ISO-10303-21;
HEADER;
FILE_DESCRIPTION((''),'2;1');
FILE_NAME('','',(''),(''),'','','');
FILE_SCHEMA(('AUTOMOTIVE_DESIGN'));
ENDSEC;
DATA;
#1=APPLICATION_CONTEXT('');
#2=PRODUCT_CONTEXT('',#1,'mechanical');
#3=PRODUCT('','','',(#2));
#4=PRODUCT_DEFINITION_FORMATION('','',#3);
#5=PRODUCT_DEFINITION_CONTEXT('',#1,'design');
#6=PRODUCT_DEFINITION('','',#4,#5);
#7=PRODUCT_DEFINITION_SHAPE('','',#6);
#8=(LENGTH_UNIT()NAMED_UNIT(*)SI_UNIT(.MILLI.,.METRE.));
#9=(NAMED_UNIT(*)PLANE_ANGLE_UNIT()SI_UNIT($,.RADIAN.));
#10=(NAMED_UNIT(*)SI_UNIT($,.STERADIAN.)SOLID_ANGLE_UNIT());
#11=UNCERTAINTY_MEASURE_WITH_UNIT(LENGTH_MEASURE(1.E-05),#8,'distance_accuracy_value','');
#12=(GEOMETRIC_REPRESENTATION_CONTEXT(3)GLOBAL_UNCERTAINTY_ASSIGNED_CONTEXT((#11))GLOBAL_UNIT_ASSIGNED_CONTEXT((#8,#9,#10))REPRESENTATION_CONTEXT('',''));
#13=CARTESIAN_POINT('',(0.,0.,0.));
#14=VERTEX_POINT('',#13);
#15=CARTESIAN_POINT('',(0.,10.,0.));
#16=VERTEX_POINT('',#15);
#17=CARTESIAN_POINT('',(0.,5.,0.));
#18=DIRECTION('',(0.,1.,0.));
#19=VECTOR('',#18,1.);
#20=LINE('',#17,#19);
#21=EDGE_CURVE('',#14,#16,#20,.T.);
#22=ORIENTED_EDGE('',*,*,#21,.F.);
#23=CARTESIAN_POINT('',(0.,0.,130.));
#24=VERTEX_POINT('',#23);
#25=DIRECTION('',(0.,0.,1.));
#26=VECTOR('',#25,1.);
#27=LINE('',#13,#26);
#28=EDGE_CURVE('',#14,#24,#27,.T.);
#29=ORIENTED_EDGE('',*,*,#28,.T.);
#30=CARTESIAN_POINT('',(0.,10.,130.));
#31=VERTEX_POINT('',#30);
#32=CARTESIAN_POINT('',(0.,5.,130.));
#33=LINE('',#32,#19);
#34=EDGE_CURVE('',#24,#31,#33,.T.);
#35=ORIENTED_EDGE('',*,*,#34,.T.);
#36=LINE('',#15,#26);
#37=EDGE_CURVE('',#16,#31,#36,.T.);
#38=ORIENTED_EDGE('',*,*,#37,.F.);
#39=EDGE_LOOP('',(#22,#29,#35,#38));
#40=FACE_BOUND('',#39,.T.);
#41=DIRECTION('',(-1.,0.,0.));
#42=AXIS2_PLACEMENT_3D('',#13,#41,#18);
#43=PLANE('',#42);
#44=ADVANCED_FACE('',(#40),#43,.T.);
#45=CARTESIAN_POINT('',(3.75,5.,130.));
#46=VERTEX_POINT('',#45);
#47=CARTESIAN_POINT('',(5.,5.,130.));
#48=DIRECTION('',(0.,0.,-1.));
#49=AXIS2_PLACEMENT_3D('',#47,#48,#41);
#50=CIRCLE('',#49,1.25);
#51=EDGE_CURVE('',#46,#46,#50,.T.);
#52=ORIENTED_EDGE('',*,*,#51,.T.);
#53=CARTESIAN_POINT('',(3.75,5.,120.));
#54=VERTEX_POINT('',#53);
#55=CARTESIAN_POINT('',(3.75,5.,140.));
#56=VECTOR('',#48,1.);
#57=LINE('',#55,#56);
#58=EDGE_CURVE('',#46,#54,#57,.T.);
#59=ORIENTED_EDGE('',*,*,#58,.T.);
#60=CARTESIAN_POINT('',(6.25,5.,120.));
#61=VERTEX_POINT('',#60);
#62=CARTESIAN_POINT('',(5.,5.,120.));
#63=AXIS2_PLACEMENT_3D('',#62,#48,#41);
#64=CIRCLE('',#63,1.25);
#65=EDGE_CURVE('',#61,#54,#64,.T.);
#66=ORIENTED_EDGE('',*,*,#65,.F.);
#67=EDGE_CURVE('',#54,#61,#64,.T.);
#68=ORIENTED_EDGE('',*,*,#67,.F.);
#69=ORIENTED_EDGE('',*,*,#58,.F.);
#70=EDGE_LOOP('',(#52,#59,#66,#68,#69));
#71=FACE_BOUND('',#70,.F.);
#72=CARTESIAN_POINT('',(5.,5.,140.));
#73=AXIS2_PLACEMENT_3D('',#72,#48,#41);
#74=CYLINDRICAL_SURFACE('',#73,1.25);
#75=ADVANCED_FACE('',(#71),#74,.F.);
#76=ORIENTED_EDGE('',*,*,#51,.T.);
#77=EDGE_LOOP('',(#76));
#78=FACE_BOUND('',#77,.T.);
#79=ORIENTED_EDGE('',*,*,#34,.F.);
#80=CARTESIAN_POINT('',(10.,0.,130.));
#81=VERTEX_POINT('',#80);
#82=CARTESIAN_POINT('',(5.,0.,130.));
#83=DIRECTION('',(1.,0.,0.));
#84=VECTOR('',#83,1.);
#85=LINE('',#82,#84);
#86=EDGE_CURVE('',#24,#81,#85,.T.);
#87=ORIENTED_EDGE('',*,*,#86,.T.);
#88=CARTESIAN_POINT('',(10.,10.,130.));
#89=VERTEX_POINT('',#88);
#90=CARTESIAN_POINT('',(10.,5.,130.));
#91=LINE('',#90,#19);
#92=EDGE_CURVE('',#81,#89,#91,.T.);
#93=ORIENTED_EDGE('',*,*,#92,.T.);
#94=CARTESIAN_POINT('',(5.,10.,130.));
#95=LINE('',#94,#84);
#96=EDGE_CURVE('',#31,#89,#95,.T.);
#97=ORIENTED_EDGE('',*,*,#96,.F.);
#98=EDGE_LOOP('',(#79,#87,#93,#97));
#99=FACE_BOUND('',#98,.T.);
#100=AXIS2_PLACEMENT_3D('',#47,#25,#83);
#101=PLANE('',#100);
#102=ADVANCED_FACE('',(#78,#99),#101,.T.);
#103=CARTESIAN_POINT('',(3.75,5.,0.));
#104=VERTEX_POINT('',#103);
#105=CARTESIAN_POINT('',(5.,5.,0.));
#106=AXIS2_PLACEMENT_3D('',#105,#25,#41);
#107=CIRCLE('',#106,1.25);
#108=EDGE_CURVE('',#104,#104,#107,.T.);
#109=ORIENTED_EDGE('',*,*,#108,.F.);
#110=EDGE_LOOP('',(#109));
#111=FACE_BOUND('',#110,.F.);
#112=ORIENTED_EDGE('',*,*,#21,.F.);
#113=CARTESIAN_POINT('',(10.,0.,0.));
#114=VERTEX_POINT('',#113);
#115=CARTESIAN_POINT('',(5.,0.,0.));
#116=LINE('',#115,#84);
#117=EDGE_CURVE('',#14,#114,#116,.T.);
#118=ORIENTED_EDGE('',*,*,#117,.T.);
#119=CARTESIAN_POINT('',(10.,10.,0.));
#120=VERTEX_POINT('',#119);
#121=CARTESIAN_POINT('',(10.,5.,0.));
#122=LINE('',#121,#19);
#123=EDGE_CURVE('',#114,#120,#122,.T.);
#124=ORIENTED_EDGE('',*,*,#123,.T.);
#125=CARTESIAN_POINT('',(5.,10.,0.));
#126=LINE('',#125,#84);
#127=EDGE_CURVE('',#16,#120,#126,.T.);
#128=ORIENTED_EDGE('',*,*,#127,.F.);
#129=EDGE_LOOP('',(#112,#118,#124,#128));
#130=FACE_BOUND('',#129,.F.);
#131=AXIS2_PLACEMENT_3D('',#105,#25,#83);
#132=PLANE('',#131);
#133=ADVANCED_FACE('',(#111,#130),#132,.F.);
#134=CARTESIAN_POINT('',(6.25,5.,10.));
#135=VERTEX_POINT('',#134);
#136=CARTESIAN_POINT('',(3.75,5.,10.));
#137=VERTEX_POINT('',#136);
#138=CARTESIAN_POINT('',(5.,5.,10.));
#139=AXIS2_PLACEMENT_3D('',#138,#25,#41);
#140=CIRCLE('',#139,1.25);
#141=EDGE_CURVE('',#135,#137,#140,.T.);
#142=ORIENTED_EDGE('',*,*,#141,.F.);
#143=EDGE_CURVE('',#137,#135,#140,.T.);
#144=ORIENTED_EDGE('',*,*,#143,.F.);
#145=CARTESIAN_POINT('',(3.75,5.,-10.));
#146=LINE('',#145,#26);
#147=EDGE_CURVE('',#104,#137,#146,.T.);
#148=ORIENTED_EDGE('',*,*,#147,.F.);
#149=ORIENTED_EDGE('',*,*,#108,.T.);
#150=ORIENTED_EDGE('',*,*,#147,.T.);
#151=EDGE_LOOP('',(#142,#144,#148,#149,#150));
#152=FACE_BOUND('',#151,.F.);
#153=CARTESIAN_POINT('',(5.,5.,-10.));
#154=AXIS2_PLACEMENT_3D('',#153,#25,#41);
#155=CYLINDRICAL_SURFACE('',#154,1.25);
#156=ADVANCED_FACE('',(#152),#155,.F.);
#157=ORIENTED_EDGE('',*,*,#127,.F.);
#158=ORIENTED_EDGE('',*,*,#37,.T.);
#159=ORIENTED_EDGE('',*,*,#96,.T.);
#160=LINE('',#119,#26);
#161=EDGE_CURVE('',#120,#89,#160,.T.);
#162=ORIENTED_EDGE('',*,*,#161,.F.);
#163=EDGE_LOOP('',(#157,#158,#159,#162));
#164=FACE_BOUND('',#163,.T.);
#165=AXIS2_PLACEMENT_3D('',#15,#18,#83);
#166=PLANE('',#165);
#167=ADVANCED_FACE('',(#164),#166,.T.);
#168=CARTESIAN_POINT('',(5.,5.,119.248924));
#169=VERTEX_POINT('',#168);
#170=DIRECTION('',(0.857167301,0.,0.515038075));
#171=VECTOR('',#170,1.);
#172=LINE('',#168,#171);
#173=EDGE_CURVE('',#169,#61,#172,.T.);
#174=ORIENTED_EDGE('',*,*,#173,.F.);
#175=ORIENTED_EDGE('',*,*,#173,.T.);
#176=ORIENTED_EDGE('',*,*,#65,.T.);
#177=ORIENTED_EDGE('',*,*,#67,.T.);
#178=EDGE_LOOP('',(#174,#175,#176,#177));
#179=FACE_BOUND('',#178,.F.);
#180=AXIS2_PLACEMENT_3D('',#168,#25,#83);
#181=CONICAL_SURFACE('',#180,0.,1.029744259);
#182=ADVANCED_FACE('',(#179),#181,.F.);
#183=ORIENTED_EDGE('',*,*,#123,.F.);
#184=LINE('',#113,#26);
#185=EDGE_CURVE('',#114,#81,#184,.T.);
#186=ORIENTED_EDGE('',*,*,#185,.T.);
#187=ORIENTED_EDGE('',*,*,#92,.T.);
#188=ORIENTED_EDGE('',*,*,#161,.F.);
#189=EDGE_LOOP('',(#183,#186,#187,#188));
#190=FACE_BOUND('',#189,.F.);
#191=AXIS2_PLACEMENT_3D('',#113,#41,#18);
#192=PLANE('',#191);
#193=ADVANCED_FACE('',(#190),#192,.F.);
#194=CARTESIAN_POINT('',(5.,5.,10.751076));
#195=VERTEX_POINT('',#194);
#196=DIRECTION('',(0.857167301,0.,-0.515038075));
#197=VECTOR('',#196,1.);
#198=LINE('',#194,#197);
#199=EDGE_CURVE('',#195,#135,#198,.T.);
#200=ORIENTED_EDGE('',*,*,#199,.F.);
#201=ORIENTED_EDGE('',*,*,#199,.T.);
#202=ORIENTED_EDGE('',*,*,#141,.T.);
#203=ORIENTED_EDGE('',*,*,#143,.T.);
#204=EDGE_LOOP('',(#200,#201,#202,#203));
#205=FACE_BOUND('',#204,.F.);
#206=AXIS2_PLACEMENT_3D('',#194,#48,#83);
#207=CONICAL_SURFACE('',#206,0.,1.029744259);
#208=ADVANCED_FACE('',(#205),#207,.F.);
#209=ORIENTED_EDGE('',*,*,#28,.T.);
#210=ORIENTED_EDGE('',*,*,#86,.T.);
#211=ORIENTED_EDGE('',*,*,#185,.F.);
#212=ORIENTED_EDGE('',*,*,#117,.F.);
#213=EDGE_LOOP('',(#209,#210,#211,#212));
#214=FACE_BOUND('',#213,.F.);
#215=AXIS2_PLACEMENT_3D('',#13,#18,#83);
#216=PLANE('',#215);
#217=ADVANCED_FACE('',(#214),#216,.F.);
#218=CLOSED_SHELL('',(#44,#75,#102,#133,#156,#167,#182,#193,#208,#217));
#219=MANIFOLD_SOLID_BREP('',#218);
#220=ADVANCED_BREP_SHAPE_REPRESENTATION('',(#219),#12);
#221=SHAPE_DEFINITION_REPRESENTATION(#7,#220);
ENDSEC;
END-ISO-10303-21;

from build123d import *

# Parameters (mm, degrees)
F0_W     = 10
F0_H     = 10
F1_DEPTH = 130
F3_D     = 2.5
F3_DEPTH = 10
F3_TIP   = 0.7510757738
F5_D     = 2.5
F5_DEPTH = 10
F5_TIP   = 0.7510757738


with BuildPart() as f1:
    # F0 (on Top) → F1 (new body)
    with BuildSketch(Plane.XY):
        with Locations((5, 5)):
            Rectangle(F0_W, F0_H)
    extrude(amount=F1_DEPTH)

    # F3
    with Locations(Plane(origin=(0, 0, 0), x_dir=(1, 0, 0), z_dir=(0, 0, -1))):
        with Locations((5, -5)):
            Hole(F3_D / 2, depth=F3_DEPTH)
            with Locations((0, 0, -(F3_DEPTH + F3_TIP / 2))):  # 118° drill point
                Cone(0, F3_D / 2, F3_TIP, mode=Mode.SUBTRACT)

    # F5
    with Locations(Plane.XY.offset(130)):
        with Locations((5, 5)):
            Hole(F5_D / 2, depth=F5_DEPTH)
            with Locations((0, 0, -(F5_DEPTH + F5_TIP / 2))):  # 118° drill point
                Cone(0, F5_D / 2, F5_TIP, mode=Mode.SUBTRACT)


solid = f1.part
